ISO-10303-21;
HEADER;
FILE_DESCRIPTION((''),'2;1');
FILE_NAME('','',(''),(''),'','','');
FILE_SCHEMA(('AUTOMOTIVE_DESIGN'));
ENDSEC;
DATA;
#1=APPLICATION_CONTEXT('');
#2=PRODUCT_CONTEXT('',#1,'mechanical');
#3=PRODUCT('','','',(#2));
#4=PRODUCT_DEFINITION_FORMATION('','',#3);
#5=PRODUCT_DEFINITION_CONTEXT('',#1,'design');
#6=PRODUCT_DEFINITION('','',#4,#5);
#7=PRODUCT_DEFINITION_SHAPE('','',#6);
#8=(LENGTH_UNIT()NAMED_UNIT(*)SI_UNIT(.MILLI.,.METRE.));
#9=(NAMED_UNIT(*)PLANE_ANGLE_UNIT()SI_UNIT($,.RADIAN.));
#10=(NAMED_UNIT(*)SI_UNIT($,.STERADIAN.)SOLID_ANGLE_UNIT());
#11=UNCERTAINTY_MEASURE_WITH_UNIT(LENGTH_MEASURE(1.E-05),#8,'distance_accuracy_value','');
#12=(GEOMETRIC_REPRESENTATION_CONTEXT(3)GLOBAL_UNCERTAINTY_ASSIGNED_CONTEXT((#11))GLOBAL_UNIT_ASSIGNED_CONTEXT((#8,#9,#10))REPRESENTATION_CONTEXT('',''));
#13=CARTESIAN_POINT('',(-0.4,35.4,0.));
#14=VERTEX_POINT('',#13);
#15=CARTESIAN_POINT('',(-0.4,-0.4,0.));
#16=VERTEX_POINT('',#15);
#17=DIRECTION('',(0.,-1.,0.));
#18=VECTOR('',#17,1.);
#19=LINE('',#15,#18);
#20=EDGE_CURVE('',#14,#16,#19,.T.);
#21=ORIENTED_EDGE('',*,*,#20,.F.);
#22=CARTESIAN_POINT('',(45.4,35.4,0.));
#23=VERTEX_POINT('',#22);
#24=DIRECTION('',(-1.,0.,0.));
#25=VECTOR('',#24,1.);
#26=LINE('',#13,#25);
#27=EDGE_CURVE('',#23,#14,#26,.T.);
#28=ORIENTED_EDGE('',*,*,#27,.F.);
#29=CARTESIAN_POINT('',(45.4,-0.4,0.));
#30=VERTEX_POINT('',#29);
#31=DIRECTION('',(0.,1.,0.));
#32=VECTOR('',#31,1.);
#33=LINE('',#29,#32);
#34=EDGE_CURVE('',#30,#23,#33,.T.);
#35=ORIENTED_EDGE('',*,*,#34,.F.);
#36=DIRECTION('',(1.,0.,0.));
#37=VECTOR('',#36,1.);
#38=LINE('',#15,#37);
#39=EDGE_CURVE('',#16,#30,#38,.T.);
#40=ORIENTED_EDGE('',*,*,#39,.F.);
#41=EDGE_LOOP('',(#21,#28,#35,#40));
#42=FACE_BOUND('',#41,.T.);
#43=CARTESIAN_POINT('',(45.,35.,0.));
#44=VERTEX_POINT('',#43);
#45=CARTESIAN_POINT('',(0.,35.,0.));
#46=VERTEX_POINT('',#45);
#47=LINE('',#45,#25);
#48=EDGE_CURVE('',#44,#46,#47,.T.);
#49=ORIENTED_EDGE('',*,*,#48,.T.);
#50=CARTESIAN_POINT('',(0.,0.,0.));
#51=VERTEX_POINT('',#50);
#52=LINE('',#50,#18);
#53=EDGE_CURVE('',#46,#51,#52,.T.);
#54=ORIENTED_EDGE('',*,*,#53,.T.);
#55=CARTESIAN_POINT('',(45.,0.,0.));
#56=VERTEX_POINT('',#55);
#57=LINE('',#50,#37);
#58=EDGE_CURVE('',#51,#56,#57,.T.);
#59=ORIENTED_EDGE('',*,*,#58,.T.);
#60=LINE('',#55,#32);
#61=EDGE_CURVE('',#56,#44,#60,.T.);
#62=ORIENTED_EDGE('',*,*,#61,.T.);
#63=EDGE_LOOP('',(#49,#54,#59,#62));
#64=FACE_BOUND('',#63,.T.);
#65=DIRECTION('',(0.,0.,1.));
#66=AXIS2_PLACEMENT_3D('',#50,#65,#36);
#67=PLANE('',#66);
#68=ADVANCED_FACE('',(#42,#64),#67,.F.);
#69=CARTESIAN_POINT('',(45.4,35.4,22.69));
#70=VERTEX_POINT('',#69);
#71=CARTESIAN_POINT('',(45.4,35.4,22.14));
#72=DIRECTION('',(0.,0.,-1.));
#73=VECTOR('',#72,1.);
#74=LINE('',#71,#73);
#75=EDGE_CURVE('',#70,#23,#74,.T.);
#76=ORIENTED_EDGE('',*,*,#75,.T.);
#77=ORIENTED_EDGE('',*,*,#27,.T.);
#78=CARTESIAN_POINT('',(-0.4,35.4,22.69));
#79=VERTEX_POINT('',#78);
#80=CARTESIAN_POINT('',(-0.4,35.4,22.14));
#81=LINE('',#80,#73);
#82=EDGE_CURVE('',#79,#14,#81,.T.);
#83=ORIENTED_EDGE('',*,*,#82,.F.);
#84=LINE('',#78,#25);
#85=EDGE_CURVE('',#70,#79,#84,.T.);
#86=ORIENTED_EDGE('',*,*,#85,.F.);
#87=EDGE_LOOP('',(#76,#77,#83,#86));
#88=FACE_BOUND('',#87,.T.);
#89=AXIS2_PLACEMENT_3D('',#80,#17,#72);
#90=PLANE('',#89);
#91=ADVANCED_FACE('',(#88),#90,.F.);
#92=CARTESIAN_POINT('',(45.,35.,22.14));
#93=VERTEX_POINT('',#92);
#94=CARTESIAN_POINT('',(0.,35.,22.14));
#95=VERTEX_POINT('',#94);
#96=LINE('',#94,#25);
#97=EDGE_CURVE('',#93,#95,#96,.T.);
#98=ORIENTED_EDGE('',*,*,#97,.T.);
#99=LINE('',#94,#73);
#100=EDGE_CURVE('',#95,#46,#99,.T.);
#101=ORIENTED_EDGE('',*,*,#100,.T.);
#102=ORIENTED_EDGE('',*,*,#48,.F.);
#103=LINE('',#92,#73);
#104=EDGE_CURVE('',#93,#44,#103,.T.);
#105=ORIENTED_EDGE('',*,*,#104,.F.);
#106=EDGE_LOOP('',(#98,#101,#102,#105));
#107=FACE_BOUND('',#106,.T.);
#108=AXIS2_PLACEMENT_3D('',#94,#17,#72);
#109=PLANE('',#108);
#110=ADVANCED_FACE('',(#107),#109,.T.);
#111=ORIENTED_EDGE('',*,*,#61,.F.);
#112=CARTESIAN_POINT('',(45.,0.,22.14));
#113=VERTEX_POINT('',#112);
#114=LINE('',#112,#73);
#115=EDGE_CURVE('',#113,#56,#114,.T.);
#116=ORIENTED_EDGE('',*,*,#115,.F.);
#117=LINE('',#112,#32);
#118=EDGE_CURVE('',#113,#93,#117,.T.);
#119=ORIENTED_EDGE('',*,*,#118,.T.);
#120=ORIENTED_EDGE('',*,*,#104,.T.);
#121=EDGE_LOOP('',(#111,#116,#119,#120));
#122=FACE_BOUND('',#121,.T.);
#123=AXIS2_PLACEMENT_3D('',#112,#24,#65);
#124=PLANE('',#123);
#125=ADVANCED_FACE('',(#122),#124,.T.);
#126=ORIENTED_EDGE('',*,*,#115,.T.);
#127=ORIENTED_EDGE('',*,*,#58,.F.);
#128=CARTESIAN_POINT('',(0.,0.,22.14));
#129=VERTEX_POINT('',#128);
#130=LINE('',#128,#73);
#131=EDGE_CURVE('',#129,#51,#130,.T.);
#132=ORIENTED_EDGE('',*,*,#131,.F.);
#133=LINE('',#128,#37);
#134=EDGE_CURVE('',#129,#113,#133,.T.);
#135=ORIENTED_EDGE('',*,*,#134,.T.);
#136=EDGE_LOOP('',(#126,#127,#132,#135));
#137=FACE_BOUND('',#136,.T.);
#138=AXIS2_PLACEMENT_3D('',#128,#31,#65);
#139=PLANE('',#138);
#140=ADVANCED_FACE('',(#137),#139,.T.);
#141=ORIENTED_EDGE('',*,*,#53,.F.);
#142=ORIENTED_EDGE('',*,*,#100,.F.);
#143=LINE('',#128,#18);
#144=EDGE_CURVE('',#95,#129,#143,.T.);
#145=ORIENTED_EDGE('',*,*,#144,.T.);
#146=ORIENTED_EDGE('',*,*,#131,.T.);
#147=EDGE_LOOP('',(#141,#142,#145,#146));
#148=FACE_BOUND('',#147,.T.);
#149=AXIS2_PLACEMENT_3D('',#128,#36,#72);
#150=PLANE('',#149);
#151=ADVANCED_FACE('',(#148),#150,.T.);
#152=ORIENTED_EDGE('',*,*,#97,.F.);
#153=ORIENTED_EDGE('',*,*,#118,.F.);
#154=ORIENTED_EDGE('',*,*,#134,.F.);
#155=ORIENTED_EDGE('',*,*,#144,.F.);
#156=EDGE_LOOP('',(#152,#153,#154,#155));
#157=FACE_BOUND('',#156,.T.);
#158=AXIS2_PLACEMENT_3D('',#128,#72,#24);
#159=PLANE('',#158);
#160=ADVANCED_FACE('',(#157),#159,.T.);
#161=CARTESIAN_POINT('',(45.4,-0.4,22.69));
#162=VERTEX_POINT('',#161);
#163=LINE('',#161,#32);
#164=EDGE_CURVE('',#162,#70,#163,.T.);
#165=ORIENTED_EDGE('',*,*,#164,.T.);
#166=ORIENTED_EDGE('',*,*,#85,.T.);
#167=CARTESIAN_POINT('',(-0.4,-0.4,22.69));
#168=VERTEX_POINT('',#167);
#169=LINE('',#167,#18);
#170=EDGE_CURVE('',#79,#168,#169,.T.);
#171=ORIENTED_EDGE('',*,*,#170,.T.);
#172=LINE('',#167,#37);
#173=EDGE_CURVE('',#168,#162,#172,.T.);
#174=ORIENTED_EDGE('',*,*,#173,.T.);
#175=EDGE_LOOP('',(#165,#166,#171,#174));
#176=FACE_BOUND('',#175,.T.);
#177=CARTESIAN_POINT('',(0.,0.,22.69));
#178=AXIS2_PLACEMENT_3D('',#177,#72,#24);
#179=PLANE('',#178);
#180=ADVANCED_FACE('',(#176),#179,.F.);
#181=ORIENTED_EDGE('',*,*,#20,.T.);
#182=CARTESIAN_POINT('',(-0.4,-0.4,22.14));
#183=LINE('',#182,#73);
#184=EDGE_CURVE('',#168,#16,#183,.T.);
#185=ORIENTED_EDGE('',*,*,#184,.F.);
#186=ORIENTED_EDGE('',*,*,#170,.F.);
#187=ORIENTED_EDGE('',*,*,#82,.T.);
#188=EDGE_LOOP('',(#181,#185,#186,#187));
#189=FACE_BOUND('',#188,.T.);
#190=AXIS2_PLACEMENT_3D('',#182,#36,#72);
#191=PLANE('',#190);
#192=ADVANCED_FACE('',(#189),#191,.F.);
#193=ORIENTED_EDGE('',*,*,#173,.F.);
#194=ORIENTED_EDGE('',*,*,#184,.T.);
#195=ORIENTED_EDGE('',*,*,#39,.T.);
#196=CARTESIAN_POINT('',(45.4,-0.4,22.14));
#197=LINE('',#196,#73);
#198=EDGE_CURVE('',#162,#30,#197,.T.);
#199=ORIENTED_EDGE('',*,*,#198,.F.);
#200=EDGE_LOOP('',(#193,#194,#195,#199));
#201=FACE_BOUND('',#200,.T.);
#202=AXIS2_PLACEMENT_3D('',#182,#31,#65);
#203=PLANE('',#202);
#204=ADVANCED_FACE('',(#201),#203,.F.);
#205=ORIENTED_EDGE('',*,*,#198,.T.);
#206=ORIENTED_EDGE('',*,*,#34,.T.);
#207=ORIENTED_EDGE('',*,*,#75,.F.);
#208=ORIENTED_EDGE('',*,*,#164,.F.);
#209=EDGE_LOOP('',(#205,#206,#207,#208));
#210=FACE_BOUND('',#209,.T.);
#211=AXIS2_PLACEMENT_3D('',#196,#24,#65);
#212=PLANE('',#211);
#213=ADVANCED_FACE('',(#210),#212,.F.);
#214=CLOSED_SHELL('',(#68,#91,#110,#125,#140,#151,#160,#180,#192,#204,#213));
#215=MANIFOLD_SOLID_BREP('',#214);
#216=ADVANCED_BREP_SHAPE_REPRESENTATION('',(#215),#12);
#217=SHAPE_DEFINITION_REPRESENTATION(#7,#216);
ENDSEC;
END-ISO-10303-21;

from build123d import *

# Parameters (mm, degrees)
SKETCH1_W           = 45.8
SKETCH1_H           = 35.8
SKETCH1_W_2         = 45
SKETCH1_H_2         = 35
BOSS_EXTRUDE1_DEPTH = 22.14
SKETCH2_W           = 45.8
SKETCH2_H           = 35.8
BOSS_EXTRUDE2_DEPTH = 0.55


with BuildPart() as part:
    # Sketch1 → Boss-Extrude1 (new body)
    with BuildSketch(Plane.XY):
        with Locations((22.5, 17.5)):
            Rectangle(SKETCH1_W, SKETCH1_H)
        with Locations((22.5, 17.5)):
            Rectangle(SKETCH1_W_2, SKETCH1_H_2, mode=Mode.SUBTRACT)
    extrude(amount=BOSS_EXTRUDE1_DEPTH)

    # Sketch2 → Boss-Extrude2 (add)
    with BuildSketch(Plane.XY.offset(22.14)):
        with Locations((22.5, 17.5)):
            Rectangle(SKETCH2_W, SKETCH2_H)
    extrude(amount=BOSS_EXTRUDE2_DEPTH)


solid = part.part
